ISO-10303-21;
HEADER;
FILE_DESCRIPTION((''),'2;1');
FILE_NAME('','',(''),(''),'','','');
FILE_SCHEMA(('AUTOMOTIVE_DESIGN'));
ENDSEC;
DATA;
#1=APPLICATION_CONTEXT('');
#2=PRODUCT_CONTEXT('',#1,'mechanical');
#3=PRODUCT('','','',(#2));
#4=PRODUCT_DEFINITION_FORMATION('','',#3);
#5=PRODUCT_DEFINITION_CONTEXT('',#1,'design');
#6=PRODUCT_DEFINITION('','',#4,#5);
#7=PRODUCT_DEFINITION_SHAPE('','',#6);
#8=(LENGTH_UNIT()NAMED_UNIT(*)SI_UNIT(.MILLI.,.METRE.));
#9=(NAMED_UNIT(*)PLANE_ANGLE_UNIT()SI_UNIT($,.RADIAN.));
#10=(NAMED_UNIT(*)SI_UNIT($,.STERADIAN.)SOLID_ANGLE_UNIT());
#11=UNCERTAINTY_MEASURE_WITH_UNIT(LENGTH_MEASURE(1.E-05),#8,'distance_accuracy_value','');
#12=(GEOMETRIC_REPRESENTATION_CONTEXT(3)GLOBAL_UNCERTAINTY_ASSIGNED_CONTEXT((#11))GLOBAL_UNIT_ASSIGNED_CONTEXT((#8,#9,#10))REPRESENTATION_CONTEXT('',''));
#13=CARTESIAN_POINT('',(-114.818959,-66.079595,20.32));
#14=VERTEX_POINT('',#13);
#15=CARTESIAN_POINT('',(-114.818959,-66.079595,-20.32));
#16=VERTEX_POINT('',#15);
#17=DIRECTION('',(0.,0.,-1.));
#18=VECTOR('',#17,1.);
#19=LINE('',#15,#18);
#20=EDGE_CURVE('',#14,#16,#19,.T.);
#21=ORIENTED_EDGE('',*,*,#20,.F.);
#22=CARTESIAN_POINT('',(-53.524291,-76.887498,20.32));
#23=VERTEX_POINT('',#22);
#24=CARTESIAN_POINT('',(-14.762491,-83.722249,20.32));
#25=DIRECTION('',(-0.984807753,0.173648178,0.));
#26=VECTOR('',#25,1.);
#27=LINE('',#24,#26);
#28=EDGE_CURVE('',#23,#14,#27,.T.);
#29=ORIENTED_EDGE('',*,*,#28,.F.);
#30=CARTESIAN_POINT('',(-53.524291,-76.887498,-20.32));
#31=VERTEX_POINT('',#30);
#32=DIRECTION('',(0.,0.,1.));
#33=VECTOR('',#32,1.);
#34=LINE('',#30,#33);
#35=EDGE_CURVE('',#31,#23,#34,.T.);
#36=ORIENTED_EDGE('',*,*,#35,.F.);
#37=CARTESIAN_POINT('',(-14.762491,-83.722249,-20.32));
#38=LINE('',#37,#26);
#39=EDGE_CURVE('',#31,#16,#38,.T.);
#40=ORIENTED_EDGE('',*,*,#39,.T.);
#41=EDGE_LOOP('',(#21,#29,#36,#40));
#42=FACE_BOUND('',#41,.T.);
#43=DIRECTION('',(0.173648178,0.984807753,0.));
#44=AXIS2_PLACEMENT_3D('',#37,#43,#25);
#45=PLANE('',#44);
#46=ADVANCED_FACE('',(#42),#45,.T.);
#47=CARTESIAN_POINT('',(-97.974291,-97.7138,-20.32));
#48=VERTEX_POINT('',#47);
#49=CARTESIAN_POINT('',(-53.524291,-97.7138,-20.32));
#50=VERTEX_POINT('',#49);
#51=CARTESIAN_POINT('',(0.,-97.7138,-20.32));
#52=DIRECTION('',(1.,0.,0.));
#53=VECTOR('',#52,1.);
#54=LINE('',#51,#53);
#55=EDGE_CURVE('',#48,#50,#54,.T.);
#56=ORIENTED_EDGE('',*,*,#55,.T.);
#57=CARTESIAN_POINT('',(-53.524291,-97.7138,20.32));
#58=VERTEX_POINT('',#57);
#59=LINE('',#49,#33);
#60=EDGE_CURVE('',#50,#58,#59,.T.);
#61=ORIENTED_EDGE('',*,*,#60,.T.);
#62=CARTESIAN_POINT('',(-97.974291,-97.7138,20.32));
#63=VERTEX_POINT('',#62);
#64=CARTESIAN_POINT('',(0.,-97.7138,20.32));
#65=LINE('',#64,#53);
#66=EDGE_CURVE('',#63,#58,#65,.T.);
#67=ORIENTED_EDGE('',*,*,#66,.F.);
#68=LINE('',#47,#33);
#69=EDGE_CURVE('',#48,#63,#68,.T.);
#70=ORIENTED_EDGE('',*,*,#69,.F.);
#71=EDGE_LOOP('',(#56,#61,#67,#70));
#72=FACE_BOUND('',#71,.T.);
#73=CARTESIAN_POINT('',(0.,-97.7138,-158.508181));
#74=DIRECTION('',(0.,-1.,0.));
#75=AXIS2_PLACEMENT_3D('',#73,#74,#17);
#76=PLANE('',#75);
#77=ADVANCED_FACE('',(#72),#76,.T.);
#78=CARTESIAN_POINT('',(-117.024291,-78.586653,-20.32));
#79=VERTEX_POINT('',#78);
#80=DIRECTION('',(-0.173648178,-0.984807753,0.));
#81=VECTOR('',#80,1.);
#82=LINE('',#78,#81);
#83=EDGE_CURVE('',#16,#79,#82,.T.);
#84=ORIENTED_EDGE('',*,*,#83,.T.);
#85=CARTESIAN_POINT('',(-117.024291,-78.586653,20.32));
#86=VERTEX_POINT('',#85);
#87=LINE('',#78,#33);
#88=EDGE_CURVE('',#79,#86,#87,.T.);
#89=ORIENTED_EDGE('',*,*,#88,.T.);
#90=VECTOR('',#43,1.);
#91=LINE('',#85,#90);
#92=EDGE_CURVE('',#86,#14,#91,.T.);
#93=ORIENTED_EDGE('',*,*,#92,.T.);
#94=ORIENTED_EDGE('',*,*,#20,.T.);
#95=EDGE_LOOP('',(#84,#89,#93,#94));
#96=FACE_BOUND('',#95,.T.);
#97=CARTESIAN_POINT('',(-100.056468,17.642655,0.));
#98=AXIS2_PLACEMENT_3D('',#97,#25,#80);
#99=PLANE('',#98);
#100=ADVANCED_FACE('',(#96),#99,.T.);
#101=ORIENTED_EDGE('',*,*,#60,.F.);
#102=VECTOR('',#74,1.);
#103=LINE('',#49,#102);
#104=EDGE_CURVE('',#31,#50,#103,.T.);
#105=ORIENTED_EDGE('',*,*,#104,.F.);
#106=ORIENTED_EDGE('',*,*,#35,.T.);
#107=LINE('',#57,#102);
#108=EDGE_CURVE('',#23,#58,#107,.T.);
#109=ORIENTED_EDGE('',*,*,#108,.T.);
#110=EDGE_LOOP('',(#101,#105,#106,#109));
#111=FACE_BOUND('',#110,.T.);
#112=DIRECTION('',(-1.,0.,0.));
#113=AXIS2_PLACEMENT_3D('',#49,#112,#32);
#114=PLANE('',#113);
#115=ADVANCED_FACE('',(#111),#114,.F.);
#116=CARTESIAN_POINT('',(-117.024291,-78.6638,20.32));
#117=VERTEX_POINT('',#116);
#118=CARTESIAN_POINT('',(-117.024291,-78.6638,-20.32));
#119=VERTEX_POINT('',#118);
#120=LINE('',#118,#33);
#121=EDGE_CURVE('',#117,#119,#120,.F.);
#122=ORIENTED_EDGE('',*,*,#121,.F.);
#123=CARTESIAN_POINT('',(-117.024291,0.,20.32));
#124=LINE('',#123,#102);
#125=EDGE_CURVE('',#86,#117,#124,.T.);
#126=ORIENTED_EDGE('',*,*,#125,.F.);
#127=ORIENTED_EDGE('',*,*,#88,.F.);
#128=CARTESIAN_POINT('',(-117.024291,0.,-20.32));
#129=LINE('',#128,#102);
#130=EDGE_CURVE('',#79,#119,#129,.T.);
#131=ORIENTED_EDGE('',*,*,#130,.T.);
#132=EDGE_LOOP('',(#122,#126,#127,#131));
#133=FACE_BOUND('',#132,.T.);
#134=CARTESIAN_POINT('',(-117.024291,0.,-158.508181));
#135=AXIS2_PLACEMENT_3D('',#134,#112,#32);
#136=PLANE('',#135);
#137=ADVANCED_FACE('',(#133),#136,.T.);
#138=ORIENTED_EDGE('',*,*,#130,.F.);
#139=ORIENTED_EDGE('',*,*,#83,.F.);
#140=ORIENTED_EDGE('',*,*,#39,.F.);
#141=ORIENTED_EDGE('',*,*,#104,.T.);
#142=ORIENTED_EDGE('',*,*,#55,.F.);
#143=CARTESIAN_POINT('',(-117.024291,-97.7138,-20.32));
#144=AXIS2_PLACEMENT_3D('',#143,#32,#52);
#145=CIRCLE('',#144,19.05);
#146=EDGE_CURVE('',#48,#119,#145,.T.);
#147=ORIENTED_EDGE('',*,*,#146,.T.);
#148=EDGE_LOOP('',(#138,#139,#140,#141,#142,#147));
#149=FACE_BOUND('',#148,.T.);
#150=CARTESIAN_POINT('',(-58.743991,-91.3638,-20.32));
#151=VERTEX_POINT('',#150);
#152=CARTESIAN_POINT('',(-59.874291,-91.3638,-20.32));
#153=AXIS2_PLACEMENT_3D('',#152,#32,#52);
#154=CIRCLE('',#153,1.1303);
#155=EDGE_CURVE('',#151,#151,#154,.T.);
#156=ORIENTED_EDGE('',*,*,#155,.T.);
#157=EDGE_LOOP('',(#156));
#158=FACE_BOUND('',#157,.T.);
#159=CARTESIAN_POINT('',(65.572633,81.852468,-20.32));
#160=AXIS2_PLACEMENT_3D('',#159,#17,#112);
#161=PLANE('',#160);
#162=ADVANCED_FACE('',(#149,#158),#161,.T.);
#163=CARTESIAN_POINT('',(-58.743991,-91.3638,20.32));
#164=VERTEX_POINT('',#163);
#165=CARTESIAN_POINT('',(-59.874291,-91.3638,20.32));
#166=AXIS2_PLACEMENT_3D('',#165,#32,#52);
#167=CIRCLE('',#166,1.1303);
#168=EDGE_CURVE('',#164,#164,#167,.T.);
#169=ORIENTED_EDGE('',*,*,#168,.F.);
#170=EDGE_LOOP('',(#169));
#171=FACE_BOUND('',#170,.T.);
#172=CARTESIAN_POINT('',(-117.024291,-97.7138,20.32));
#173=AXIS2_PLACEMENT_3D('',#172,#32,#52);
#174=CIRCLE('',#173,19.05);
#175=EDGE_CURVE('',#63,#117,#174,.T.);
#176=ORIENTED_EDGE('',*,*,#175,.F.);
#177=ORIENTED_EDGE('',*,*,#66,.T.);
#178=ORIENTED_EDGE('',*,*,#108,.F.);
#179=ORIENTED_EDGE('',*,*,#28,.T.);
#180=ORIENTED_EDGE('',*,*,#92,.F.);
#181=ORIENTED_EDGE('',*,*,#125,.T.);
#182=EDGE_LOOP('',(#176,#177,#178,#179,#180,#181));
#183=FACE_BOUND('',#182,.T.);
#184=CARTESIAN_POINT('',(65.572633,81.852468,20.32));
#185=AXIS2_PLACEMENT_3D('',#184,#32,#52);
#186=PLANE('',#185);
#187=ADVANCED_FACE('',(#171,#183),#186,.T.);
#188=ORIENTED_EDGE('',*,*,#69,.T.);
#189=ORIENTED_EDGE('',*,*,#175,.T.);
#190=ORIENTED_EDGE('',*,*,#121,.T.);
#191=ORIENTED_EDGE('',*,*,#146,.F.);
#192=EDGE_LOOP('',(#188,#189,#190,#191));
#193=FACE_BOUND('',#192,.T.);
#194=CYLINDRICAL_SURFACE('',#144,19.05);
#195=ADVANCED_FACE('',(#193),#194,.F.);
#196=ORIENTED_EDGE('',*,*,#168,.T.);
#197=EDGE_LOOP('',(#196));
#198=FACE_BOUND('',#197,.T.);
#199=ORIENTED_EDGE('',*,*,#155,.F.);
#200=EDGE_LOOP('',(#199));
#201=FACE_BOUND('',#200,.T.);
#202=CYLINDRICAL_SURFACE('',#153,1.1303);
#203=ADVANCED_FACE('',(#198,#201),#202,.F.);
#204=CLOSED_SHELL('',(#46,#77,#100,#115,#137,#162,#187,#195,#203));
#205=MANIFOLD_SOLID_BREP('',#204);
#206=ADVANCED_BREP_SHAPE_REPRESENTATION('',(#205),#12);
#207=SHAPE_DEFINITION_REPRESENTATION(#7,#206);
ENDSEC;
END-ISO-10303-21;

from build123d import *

# Parameters (mm, degrees)
BOSS_EXTRUDE1_DEPTH = 40.64
SKETCH6_R           = 1.1303
CUT_EXTRUDE1_DEPTH  = 158.779215984
SKETCH7_W           = 195.523307817
SKETCH7_H           = 195.523307817
CUT_EXTRUDE2_DEPTH  = 158.779215984
SKETCH8_R           = 1.1303
CUT_EXTRUDE3_DEPTH  = 158.779215984
SKETCH9_R           = 19.05
CUT_EXTRUDE4_DEPTH  = 158.779215984


with BuildPart() as part:
    # Sweep3: sweep along a path in Sketch2
    with BuildLine(Plane.XY) as sweep3_path:
        Line((-111.378641457, -46.568583299), (-11.322173751, -64.21123815))
        ThreePointArc((-11.322173751, -64.21123815), (53.410187761, -37.398216088), (56.466415172, 32.6009))
        Line((56.466415172, 32.6009), (37.416415172, 65.596467884))
    # 3DSketch1 → Sweep3 (sweep)
    with BuildSketch(Plane(origin=(-117.024291009, -78.586652965, -20.32), x_dir=(0.051794909001673446, 0.2937435257699459, 0.9544799780350292), z_dir=(0.984807753012208, -0.17364817766693055, 0))):
        Polygon((0, 0), (3.788092413, -12.121895721), (42.57815872, 0), (38.790066307, 12.121895721), align=None)
    sweep(path=sweep3_path.line)

    # Sketch5 → Boss-Extrude1 (add)
    with BuildSketch(Plane.XY.offset(20.32)):
        with BuildLine():
            Line((-16.967823303, -96.229307816), (-117.024291009, -78.586652965))
            Line((-117.024291009, -78.586652965), (-117.024291009, -97.7138))
            Line((-117.024291009, -97.7138), (3.02e-07, -97.7138))
            ThreePointArc((3.02e-07, -97.7138), (-8.516318665, -97.341969504), (-16.967823303, -96.229307816))
        make_face()
        with BuildLine():
            ThreePointArc((97.7138, -9e-08), (69.09409067, -69.094090521), (3.02e-07, -97.7138))
            Line((3.02e-07, -97.7138), (97.7138, -97.7138))
            Line((97.7138, -97.7138), (97.7138, -9e-08))
        make_face()
        with BuildLine():
            ThreePointArc((84.6226331, 48.8569), (94.384283017, 25.290192366), (97.7138, -9e-08))
            Line((97.7138, -9e-08), (97.7138, 81.852467884))
            Line((97.7138, 81.852467884), (65.5726331, 81.852467884))
            Line((65.5726331, 81.852467884), (84.6226331, 48.8569))
        make_face()
    extrude(amount=-BOSS_EXTRUDE1_DEPTH)

    # Sketch6 → Cut-Extrude1 (cut, through all)
    with BuildSketch(Plane.XY.offset(20.32)):
        with Locations((91.3638, -91.3638)):
            Circle(SKETCH6_R)
        with Locations((-41.9735, -91.3638)):
            Circle(SKETCH6_R)
    extrude(amount=-CUT_EXTRUDE1_DEPTH, mode=Mode.SUBTRACT)

    # Sketch7 → Cut-Extrude2 (cut, through all)
    with BuildSketch(Plane.XY.offset(20.32)):
        with Locations((44.2373629, 0.047853909)):
            Rectangle(SKETCH7_W, SKETCH7_H)
    extrude(amount=-CUT_EXTRUDE2_DEPTH, mode=Mode.SUBTRACT)

    # Sketch8 → Cut-Extrude3 (cut, through all)
    with BuildSketch(Plane.XY.offset(20.32)):
        with Locations((-59.874291009, -91.3638)):
            Circle(SKETCH8_R)
    extrude(amount=-CUT_EXTRUDE3_DEPTH, mode=Mode.SUBTRACT)

    # Sketch9 → Cut-Extrude4 (cut, through all)
    with BuildSketch(Plane.XY.offset(20.32)):
        with Locations((-117.024291009, -97.7138)):
            Circle(SKETCH9_R)
    extrude(amount=-CUT_EXTRUDE4_DEPTH, mode=Mode.SUBTRACT)


solid = part.part
